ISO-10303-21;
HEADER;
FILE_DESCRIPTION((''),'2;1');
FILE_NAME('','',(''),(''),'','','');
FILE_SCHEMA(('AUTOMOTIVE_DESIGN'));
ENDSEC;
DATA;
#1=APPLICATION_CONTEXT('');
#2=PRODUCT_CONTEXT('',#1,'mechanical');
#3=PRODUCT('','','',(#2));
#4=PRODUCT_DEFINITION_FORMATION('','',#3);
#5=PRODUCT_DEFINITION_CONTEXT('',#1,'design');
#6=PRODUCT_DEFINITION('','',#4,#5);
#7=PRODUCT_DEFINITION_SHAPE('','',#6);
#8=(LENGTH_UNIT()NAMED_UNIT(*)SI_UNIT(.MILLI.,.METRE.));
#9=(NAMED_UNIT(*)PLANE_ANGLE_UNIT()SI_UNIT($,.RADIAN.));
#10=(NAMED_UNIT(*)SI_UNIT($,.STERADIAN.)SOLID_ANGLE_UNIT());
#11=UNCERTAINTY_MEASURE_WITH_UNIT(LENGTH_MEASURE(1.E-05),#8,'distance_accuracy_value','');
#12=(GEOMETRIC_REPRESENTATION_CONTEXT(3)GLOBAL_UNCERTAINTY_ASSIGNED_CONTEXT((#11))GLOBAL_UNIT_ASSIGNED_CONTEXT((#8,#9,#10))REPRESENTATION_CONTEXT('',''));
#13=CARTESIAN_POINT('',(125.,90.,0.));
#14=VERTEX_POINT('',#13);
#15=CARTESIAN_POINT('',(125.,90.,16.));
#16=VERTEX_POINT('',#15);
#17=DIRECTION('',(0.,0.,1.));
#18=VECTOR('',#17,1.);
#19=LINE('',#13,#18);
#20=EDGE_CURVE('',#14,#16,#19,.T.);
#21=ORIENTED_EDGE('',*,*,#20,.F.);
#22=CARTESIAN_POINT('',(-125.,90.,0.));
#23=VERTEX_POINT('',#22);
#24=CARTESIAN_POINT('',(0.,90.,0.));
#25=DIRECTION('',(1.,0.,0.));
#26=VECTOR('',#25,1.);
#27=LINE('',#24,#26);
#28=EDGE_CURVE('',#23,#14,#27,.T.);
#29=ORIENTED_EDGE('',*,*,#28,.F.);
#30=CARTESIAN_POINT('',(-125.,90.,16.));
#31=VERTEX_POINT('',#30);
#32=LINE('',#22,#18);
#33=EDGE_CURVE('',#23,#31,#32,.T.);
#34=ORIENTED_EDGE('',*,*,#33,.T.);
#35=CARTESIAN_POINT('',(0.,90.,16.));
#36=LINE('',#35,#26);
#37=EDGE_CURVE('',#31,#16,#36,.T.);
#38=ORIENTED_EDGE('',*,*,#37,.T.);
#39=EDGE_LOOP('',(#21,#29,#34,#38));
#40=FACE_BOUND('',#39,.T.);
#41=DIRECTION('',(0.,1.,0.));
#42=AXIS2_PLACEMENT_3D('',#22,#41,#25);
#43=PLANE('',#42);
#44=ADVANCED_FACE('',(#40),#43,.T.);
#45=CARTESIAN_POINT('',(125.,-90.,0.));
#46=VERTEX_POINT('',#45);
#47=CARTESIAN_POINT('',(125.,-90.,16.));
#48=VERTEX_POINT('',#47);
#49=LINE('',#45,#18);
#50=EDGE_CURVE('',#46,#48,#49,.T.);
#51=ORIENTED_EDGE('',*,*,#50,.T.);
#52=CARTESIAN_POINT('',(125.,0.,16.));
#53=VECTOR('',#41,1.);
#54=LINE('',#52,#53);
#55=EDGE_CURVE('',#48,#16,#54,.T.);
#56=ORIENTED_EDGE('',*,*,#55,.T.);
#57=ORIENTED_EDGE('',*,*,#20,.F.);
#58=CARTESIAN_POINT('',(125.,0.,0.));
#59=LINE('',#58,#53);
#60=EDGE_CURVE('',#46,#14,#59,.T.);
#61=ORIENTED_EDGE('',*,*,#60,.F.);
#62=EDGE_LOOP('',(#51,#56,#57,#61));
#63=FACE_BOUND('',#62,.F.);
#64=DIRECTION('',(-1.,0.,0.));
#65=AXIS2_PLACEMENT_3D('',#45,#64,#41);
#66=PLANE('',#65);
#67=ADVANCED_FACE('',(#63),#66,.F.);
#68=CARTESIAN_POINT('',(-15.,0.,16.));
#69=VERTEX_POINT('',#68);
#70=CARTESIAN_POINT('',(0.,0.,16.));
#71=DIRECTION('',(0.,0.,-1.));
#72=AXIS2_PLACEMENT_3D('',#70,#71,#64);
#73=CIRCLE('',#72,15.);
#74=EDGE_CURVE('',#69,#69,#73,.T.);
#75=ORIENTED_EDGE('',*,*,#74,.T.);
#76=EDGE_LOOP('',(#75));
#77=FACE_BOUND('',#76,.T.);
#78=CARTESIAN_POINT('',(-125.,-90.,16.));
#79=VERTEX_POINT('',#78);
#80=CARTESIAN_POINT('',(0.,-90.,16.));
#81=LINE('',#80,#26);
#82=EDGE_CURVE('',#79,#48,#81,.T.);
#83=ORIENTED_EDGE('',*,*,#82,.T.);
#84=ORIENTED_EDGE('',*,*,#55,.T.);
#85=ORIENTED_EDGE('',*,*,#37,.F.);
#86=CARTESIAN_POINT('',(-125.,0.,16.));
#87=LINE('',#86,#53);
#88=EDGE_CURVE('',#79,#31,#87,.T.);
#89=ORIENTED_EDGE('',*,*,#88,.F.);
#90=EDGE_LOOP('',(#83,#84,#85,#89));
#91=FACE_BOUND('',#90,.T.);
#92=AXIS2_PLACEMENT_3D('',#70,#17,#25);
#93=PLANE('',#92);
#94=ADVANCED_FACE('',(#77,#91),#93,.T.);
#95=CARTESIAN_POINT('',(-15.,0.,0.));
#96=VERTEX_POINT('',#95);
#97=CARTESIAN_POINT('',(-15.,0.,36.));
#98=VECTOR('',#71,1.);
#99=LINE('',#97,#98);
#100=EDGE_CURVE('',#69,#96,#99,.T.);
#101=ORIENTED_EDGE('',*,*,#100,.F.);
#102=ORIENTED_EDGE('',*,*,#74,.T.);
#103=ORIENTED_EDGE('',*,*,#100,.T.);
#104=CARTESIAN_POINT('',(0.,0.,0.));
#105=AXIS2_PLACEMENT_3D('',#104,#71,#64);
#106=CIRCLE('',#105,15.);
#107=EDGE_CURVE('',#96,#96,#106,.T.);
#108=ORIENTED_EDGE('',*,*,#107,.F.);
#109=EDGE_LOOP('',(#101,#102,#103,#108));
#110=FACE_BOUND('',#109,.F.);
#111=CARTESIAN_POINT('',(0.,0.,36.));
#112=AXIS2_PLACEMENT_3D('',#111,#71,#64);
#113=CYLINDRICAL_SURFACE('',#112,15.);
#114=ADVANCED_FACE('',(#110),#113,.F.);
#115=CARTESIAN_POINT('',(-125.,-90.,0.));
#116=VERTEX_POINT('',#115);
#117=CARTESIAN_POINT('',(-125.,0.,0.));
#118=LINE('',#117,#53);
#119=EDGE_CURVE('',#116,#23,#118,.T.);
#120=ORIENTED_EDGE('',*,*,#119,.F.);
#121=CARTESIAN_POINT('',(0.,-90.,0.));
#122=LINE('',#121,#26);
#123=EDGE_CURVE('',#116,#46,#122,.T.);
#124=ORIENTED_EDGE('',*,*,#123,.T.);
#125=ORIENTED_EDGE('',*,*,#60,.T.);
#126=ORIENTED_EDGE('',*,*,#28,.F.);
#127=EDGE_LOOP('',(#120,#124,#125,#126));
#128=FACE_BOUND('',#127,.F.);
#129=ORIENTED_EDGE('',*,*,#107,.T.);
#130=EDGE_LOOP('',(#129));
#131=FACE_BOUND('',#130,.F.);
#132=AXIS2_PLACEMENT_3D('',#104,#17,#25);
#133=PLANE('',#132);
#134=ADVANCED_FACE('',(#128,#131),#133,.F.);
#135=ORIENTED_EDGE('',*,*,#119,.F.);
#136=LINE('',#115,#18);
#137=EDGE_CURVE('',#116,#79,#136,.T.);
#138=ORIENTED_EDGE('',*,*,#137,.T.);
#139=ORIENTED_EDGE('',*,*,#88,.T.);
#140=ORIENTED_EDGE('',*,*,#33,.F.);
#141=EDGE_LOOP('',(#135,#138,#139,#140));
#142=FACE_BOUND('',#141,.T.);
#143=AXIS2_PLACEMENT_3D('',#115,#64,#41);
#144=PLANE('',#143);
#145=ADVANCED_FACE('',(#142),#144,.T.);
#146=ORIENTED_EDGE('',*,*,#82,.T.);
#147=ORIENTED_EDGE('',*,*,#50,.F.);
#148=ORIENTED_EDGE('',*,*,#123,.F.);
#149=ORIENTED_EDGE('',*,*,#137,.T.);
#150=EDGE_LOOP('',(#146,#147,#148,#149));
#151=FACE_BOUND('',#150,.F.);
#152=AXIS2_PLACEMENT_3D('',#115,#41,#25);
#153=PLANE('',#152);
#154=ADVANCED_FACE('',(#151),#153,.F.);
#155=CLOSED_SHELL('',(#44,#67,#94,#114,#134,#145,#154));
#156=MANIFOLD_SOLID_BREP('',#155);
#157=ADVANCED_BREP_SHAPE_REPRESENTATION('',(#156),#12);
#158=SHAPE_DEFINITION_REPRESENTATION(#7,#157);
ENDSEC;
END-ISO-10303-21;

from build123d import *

# Parameters (mm, degrees)
SKETCH_1_W                = 250
SKETCH_1_H                = 180
EXTRUDE_1_DEPTH           = 16
HOLE_WIZARD_6_0_6_1_D     = 30
HOLE_WIZARD_6_0_6_1_DEPTH = 20
HOLE_WIZARD_6_0_6_1_TIP   = 9.012909285


with BuildPart() as part:
    # 草图1 → 凸台-拉伸1 (new body)
    with BuildSketch(Plane.XY):
        Rectangle(SKETCH_1_W, SKETCH_1_H)
    extrude(amount=EXTRUDE_1_DEPTH)

    # Ø6.0 (6) 直径孔1
    with Locations(Plane.XY.offset(16)):
        with Locations((0, 0)):
            Hole(HOLE_WIZARD_6_0_6_1_D / 2, depth=HOLE_WIZARD_6_0_6_1_DEPTH)
            with Locations((0, 0, -(HOLE_WIZARD_6_0_6_1_DEPTH + HOLE_WIZARD_6_0_6_1_TIP / 2))):  # 118° drill point
                Cone(0, HOLE_WIZARD_6_0_6_1_D / 2, HOLE_WIZARD_6_0_6_1_TIP, mode=Mode.SUBTRACT)


solid = part.part
